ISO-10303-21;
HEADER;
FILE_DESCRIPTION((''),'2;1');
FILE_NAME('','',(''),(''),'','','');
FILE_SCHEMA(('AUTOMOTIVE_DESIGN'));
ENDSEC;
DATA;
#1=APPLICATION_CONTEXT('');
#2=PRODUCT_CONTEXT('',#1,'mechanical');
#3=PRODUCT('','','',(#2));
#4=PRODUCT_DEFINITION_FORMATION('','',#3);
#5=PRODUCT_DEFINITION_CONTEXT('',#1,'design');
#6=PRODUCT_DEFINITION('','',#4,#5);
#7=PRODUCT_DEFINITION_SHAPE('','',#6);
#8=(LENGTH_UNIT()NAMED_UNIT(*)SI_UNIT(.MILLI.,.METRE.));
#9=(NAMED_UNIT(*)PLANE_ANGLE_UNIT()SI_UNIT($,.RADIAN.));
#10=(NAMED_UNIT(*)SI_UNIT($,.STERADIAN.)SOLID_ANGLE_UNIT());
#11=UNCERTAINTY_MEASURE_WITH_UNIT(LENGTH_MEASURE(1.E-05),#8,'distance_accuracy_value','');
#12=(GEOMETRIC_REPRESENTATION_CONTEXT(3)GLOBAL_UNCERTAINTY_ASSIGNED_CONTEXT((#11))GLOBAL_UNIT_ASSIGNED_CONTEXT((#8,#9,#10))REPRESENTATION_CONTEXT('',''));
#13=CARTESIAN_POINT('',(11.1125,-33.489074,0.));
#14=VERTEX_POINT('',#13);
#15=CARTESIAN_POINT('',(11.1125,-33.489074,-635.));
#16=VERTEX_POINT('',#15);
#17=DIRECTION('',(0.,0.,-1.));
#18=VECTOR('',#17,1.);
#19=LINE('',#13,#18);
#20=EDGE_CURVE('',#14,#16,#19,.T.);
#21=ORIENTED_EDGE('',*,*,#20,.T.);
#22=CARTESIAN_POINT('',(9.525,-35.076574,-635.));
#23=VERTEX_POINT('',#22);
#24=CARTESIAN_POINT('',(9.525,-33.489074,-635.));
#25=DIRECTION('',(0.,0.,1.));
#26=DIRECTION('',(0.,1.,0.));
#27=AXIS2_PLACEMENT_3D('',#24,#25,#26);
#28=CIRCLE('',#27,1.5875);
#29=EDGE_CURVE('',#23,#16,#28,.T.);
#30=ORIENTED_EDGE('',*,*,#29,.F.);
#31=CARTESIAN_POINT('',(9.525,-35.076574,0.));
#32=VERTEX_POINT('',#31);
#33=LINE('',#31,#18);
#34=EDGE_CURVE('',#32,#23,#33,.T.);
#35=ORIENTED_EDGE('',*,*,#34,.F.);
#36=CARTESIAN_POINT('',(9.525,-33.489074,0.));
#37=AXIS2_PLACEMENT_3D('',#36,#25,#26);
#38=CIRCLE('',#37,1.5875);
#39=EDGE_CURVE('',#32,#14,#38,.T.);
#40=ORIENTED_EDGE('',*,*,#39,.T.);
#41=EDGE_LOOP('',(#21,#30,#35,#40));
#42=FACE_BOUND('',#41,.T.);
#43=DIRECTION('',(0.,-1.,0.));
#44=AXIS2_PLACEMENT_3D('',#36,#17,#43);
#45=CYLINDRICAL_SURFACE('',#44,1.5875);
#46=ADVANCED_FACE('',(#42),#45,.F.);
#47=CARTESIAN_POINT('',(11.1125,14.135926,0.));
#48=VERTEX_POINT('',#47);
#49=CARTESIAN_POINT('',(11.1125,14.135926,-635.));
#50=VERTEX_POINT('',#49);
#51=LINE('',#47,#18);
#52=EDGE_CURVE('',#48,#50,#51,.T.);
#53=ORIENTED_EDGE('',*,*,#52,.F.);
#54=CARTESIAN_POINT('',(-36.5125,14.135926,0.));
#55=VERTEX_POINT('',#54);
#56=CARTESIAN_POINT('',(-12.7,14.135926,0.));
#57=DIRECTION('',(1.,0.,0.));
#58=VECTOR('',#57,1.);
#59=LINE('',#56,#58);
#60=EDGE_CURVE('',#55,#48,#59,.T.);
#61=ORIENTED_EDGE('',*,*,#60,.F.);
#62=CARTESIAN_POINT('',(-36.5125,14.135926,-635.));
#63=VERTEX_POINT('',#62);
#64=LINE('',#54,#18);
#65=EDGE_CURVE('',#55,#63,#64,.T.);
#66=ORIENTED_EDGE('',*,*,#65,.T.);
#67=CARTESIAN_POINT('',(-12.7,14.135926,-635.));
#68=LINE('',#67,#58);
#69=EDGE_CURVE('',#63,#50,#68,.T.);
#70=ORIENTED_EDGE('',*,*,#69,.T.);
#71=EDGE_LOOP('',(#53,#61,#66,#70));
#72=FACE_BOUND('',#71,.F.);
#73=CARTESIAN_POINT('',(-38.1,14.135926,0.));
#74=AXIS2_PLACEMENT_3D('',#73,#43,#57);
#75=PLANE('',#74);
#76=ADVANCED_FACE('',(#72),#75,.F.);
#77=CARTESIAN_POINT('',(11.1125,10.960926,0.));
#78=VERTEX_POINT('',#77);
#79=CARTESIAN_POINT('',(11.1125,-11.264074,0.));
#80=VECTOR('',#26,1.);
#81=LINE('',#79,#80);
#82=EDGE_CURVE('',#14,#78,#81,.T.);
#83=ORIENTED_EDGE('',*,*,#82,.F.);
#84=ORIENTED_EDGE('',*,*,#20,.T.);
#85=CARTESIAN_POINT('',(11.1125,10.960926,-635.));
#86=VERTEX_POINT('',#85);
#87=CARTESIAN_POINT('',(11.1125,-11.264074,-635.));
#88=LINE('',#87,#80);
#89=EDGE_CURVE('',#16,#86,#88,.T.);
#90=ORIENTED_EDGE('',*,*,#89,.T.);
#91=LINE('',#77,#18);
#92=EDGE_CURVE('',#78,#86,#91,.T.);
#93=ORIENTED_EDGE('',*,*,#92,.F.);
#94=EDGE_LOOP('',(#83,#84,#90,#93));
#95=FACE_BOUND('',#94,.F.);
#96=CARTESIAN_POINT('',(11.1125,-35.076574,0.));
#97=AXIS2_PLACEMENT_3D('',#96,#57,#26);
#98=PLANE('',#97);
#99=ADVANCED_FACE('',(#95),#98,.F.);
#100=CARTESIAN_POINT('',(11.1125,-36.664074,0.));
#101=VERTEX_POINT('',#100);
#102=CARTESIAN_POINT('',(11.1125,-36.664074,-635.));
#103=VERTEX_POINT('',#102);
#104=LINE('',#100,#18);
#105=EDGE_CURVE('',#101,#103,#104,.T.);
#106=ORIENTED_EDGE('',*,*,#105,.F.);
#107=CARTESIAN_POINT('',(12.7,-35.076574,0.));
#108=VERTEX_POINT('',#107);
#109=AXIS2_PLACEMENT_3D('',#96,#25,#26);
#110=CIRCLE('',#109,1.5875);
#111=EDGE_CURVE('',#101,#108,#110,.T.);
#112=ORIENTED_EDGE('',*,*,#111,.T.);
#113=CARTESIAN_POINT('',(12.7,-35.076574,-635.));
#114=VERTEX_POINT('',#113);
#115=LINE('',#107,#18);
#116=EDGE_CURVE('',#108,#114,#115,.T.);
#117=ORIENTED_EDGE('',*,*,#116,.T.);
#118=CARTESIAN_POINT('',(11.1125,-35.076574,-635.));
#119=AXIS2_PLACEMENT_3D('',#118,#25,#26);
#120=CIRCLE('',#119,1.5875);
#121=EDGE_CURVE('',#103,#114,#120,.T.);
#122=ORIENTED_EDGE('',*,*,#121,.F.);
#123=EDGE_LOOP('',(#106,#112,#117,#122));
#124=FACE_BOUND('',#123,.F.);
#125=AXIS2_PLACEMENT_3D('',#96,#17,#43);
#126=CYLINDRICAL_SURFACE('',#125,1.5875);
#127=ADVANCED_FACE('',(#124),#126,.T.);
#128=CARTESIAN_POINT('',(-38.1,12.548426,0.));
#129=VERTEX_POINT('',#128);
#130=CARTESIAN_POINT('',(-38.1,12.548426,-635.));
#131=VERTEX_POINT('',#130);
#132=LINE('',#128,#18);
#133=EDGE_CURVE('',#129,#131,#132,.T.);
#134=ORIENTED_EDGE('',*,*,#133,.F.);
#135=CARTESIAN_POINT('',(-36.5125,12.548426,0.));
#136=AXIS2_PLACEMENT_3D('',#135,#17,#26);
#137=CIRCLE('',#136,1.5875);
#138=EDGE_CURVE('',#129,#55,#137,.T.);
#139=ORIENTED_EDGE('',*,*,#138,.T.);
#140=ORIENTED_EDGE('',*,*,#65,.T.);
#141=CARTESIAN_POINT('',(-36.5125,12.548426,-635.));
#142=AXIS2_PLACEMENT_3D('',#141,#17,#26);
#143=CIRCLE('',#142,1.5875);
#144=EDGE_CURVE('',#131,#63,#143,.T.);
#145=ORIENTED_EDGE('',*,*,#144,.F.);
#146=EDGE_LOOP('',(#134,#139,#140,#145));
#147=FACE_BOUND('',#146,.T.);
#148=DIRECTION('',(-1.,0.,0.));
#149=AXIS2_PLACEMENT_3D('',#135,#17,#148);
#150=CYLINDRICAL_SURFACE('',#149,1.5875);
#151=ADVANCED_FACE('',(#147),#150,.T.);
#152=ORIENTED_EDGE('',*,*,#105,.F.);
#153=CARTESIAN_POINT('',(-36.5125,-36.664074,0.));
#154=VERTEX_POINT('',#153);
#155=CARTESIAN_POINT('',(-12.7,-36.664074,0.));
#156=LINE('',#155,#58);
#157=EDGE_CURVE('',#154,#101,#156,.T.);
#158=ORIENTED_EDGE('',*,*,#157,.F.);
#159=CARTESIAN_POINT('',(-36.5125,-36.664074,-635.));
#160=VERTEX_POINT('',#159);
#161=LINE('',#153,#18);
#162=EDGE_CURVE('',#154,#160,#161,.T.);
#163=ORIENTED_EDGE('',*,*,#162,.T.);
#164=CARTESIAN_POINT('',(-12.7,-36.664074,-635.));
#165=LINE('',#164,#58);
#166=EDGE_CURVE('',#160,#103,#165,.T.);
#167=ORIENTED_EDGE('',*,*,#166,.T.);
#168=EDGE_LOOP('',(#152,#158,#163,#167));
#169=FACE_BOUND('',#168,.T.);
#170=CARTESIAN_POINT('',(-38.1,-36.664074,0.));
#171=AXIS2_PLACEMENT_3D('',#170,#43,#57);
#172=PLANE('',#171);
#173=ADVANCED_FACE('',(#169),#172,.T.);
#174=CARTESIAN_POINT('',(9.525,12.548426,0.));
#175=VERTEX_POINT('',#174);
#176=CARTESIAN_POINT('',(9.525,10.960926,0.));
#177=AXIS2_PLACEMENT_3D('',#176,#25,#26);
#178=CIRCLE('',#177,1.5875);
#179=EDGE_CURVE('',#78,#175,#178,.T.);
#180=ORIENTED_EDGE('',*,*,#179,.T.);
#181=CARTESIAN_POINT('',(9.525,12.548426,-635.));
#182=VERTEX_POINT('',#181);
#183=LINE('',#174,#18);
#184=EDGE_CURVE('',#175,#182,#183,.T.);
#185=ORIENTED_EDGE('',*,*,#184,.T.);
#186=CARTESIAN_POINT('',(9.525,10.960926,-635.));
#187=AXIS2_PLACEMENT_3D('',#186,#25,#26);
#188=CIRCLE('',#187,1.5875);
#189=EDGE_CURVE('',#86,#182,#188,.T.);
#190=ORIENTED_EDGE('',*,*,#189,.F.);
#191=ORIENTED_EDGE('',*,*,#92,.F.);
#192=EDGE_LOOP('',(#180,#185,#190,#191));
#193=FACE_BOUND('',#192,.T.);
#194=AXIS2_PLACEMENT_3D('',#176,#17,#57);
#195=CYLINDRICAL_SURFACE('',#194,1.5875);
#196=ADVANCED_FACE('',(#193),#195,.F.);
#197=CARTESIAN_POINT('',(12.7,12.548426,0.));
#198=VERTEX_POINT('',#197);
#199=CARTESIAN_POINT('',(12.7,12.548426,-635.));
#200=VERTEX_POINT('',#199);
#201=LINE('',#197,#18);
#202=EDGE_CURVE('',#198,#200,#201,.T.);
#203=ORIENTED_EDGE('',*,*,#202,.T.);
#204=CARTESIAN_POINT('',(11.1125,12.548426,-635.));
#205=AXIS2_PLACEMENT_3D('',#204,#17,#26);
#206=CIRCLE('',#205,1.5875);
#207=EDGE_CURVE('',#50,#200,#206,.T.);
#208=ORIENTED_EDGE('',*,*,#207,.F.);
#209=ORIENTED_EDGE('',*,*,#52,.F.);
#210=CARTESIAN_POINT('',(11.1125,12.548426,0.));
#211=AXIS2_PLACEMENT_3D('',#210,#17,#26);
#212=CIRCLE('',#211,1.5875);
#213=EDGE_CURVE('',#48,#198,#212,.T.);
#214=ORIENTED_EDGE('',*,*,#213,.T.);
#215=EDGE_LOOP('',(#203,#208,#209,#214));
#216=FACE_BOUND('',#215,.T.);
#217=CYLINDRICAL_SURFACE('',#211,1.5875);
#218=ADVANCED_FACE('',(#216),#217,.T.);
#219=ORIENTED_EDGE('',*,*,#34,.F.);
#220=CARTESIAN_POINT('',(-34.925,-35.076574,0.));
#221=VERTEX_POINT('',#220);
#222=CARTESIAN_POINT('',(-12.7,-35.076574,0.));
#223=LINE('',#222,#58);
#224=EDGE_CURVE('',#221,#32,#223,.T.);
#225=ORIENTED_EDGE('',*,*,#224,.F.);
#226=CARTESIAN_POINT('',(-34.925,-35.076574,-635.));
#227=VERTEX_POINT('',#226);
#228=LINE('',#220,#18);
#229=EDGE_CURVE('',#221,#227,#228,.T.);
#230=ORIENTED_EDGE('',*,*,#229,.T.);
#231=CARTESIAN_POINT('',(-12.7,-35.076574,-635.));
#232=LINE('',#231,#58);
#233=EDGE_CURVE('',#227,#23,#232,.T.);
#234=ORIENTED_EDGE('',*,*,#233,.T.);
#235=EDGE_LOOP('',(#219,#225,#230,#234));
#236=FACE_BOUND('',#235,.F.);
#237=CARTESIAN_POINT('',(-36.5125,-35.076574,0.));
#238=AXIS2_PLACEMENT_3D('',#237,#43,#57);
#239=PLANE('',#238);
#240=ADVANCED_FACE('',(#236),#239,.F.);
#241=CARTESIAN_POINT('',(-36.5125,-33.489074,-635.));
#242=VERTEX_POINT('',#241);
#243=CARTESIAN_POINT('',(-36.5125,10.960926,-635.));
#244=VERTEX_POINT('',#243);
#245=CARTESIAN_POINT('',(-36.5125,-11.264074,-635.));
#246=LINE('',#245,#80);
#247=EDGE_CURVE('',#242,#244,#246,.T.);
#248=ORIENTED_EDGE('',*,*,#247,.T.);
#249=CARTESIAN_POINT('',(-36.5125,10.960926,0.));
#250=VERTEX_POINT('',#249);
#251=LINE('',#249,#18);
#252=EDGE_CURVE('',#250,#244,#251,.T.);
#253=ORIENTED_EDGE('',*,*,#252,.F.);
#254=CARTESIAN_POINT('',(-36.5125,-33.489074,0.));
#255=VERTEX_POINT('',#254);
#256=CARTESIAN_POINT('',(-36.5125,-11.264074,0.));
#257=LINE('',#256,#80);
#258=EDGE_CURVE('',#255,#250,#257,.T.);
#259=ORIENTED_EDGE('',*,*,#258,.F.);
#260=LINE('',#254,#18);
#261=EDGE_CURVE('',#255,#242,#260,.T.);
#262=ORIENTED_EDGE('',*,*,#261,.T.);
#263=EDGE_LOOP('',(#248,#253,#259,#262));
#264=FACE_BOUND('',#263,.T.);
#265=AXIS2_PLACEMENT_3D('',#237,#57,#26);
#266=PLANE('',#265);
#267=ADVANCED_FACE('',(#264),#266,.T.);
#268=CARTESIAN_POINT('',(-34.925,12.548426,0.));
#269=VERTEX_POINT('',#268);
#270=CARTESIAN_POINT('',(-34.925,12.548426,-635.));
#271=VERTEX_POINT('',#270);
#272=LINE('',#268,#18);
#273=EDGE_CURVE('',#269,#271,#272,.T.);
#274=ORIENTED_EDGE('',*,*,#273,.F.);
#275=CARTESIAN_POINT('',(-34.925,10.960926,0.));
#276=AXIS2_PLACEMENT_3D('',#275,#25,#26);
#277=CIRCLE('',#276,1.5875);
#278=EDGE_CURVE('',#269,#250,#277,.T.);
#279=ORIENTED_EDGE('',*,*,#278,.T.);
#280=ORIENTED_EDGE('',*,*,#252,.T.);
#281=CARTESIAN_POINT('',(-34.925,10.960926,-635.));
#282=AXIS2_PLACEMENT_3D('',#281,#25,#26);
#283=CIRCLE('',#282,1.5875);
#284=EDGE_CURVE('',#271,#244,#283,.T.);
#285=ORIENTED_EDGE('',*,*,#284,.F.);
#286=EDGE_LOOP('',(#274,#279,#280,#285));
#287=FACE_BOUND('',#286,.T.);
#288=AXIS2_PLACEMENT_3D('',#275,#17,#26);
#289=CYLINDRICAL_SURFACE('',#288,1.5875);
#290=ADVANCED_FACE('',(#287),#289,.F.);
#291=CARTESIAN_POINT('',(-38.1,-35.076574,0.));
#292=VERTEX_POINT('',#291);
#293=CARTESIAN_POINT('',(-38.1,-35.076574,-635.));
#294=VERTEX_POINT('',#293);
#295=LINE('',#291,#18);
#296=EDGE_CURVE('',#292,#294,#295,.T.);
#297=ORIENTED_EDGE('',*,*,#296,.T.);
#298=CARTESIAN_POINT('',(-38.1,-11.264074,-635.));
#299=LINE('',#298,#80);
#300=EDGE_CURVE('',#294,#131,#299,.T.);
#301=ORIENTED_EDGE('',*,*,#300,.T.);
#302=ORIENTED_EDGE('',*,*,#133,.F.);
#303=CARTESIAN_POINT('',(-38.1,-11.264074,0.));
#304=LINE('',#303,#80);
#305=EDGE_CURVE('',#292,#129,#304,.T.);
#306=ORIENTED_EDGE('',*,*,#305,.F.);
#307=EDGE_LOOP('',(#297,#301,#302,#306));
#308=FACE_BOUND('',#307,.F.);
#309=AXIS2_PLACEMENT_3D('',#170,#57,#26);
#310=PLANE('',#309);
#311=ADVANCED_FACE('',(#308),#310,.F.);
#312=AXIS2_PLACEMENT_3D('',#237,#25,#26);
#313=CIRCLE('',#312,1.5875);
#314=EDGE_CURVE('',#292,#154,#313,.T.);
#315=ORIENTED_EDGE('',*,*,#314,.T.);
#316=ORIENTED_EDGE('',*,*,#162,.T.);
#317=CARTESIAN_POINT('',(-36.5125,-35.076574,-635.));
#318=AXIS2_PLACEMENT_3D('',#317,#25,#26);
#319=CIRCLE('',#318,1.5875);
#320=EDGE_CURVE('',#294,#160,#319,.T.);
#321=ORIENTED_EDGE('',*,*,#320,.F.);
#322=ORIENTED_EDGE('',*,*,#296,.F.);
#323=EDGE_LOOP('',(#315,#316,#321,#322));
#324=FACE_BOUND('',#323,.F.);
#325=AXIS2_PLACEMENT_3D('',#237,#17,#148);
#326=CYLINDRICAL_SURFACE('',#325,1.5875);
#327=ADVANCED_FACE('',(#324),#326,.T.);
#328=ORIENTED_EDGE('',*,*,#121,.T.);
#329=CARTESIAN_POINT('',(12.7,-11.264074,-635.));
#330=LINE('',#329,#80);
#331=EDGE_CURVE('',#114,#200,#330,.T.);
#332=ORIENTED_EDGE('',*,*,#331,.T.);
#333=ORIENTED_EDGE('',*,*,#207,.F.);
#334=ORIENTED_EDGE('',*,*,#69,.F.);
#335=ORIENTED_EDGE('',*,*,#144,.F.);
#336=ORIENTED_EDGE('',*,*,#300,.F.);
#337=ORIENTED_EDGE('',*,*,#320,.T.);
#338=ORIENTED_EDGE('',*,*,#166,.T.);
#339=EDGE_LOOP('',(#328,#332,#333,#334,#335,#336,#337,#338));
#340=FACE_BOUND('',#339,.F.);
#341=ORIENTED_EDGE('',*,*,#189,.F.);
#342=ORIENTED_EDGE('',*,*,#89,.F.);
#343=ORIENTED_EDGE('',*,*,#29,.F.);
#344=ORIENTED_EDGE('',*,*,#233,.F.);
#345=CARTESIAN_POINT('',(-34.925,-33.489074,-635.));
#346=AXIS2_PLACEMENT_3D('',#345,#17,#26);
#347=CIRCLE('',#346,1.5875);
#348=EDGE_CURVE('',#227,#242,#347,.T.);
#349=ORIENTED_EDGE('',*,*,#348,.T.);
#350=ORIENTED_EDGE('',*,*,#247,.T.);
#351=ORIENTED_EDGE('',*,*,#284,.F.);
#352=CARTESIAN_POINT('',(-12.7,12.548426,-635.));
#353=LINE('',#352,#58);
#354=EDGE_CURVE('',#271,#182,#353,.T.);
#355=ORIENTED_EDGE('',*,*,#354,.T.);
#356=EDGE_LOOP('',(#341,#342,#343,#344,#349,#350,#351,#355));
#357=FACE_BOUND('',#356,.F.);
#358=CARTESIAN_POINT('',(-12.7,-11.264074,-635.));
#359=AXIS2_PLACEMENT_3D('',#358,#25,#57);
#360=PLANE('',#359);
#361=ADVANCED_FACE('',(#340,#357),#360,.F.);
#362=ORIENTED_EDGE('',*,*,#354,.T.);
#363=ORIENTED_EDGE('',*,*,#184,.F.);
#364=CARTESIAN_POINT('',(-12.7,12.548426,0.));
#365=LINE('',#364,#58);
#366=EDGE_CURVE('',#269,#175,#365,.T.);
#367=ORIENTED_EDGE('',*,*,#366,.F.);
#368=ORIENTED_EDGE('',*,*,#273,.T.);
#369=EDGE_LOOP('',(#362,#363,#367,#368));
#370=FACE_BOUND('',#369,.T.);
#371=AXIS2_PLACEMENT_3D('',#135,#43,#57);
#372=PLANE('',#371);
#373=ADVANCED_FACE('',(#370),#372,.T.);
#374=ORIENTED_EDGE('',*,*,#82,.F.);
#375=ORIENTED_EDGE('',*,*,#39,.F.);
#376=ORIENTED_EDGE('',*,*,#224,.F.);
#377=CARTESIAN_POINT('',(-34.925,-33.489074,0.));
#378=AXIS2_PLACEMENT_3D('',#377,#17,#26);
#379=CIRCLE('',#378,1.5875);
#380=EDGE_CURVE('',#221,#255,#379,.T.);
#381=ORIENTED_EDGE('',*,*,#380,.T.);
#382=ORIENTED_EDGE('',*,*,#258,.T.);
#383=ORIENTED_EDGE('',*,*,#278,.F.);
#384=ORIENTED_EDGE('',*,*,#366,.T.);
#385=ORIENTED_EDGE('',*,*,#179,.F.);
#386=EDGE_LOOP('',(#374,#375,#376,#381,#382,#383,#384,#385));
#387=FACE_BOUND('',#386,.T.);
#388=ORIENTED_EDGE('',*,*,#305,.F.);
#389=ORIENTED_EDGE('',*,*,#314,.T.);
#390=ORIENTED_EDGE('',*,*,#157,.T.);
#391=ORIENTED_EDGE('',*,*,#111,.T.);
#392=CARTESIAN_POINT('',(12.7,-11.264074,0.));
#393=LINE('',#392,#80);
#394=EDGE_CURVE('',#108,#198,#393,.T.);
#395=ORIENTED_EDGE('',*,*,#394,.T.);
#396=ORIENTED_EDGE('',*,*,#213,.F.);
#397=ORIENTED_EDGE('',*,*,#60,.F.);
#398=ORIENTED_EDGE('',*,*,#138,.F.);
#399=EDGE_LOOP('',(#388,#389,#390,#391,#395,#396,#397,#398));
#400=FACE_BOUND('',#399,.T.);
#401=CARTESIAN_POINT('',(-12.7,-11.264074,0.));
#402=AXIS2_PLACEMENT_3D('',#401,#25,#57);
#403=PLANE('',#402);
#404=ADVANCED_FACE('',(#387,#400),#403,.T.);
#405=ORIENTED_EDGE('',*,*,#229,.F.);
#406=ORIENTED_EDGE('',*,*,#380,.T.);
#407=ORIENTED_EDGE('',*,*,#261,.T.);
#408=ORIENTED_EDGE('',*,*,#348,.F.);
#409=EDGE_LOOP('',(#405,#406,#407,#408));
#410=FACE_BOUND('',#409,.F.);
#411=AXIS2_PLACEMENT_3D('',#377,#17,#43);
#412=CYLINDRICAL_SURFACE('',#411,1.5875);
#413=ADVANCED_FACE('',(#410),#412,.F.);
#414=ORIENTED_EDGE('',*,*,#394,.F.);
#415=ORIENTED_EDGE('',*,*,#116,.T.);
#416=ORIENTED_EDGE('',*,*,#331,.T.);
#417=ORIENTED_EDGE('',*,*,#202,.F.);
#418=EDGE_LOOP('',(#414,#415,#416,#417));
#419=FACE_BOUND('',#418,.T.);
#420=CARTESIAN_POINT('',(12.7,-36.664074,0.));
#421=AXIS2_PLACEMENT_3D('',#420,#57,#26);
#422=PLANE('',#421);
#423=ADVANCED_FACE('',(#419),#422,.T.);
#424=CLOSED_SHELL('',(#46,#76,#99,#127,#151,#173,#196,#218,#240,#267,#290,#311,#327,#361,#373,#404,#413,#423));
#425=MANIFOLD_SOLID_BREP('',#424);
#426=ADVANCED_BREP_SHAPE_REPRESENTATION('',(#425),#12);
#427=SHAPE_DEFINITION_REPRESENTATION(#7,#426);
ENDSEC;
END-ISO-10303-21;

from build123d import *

# Parameters (mm, degrees)
F0_W     = 50.8
F0_H     = 50.8
F0_W_2   = 47.625
F0_H_2   = 47.625
F1_DEPTH = 635
F2_R     = 1.5875
F3_R     = 1.5875


with BuildPart() as f1:
    # F0 (on Top) → F1 (new body)
    with BuildSketch(Plane.XY):
        with Locations((-12.7, -11.264074)):
            Rectangle(F0_W, F0_H)
        with Locations((-12.7, -11.264074)):
            Rectangle(F0_W_2, F0_H_2, mode=Mode.SUBTRACT)
    extrude(amount=-F1_DEPTH)

    # F2
    f2_edges = [f1.edges().sort_by_distance(p)[0] for p in [
        (-38.1, -36.664074, -317.5),
        (12.7, -36.664074, -317.5),
        (12.7, 14.135926, -317.5),
        (-38.1, 14.135926, -317.5),
    ]]
    fillet(f2_edges, radius=F2_R)

    # F3
    f3_edges = [f1.edges().sort_by_distance(p)[0] for p in [
        (-36.5125, 12.548426, -317.5),
        (11.1125, 12.548426, -317.5),
        (11.1125, -35.076574, -317.5),
        (-36.5125, -35.076574, -317.5),
    ]]
    fillet(f3_edges, radius=F3_R)


solid = f1.part
